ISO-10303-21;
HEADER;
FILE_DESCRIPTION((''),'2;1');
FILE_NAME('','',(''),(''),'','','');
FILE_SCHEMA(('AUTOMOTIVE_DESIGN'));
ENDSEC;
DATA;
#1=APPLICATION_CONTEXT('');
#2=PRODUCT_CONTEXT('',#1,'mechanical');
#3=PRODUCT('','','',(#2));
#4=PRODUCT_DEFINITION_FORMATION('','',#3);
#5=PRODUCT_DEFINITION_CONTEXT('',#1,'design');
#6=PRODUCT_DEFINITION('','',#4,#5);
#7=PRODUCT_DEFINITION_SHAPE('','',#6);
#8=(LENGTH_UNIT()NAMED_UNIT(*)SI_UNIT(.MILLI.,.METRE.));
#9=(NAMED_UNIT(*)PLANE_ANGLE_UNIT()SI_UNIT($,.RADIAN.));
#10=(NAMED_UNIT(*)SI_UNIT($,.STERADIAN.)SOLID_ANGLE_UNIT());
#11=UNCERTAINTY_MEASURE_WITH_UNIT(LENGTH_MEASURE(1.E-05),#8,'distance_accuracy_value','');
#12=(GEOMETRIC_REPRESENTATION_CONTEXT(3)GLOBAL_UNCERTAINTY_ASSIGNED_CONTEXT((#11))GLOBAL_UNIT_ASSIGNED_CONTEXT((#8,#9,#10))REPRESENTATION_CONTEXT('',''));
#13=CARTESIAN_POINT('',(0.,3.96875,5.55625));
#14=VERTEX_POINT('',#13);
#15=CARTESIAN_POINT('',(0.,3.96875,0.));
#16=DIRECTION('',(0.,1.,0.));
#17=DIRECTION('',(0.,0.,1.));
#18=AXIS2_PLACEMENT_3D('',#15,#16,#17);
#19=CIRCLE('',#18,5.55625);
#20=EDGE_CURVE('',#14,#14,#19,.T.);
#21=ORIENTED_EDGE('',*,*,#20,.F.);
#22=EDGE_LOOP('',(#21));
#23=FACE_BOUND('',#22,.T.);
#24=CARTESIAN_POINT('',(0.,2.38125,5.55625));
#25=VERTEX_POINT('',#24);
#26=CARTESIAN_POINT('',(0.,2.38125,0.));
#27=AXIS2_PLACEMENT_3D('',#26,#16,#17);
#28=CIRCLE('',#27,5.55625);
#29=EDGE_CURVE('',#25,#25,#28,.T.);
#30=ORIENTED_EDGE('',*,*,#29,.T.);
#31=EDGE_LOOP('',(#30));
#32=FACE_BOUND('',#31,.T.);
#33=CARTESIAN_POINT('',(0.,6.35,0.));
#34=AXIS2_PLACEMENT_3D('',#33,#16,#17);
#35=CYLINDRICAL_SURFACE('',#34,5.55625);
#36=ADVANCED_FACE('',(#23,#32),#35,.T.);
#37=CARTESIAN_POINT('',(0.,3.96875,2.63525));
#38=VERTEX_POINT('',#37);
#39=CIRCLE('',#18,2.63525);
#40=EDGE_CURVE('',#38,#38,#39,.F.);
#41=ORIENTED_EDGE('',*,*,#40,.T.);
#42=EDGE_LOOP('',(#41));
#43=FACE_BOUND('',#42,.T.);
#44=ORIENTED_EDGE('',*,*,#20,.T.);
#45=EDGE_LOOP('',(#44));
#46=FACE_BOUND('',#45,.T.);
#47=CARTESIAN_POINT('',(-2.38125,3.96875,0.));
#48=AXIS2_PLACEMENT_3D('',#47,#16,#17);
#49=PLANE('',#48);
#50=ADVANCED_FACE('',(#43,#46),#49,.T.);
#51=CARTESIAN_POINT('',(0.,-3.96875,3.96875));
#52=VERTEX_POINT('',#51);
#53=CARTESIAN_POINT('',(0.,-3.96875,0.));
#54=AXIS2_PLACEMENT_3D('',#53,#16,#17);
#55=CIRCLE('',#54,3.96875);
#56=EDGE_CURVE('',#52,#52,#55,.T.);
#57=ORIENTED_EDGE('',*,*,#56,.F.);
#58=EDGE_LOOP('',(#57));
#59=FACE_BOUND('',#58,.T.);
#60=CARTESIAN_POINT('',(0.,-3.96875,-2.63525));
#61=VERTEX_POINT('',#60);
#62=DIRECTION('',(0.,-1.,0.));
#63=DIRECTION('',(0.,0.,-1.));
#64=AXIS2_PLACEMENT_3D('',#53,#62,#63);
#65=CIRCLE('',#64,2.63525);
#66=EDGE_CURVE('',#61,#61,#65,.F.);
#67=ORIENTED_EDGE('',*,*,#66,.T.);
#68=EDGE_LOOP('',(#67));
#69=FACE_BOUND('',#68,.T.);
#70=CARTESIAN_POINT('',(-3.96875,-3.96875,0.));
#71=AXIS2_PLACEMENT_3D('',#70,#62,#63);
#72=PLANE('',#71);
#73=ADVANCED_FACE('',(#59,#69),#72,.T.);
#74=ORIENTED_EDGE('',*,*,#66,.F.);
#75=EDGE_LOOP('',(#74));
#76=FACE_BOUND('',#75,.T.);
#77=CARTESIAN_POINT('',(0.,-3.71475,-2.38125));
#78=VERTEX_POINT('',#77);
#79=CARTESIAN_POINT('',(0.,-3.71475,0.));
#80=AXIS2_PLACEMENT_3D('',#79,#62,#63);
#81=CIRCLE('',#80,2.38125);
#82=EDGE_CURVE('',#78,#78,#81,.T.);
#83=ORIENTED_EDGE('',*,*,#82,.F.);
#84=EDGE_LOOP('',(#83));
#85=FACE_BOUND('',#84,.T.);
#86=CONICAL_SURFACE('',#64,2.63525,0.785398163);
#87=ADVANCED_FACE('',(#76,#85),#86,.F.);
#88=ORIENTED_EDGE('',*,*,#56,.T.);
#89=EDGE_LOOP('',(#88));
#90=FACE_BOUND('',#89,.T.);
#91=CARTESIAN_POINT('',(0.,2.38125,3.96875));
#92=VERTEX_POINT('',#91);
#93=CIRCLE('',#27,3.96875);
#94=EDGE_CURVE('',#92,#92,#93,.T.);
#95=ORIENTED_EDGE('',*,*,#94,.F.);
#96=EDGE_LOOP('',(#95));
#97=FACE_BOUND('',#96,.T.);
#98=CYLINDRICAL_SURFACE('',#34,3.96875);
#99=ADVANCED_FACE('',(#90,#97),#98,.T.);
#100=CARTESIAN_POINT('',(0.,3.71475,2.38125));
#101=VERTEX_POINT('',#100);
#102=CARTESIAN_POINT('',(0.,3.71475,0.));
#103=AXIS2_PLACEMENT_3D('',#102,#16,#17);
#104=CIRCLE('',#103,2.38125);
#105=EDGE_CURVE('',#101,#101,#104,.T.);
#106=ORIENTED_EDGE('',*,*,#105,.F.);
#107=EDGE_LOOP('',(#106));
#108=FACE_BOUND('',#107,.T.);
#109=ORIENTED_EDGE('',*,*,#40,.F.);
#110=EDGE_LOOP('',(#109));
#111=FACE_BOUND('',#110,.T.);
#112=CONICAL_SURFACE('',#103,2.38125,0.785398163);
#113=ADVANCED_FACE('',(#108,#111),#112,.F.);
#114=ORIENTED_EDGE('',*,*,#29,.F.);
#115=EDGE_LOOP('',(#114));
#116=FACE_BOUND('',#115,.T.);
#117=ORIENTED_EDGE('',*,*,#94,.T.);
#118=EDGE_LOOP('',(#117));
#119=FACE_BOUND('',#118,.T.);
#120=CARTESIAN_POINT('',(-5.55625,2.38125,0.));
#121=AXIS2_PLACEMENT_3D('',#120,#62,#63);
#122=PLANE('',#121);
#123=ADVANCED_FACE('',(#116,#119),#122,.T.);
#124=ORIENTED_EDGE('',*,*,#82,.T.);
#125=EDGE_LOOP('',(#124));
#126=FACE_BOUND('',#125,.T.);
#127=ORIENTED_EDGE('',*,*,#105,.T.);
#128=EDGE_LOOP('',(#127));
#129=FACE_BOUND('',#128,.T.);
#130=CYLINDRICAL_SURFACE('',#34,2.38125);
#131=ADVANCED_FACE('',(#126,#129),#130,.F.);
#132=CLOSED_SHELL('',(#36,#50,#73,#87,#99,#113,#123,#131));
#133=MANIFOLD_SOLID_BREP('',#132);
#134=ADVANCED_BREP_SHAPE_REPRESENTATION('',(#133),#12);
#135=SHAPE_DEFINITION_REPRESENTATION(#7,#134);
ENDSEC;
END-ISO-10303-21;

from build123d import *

# Parameters (mm, degrees)
CHAMFER1_SIZE = 0.254


with BuildPart() as part:
    # Sketch1 → Revolve1 (revolve)
    with BuildSketch(Plane.XY, mode=Mode.PRIVATE) as revolve1_sk:
        Polygon((-2.38125, 3.96875), (-5.55625, 3.96875), (-5.55625, 2.38125), (-3.96875, 2.38125), (-3.96875, -3.96875), (-2.38125, -3.96875), align=None)
    revolve(revolve1_sk.sketch.rotate(Axis((0, 6.35, 0), (0, -1, 0)), 270), axis=Axis((0, 6.35, 0), (0, -1, 0)))

    # Chamfer1
    chamfer1_edges = [part.edges().sort_by_distance(p)[0] for p in [
        (0, -3.96875, -2.38125),
        (0, 3.96875, -2.38125),
    ]]
    chamfer(chamfer1_edges, length=CHAMFER1_SIZE)


solid = part.part
